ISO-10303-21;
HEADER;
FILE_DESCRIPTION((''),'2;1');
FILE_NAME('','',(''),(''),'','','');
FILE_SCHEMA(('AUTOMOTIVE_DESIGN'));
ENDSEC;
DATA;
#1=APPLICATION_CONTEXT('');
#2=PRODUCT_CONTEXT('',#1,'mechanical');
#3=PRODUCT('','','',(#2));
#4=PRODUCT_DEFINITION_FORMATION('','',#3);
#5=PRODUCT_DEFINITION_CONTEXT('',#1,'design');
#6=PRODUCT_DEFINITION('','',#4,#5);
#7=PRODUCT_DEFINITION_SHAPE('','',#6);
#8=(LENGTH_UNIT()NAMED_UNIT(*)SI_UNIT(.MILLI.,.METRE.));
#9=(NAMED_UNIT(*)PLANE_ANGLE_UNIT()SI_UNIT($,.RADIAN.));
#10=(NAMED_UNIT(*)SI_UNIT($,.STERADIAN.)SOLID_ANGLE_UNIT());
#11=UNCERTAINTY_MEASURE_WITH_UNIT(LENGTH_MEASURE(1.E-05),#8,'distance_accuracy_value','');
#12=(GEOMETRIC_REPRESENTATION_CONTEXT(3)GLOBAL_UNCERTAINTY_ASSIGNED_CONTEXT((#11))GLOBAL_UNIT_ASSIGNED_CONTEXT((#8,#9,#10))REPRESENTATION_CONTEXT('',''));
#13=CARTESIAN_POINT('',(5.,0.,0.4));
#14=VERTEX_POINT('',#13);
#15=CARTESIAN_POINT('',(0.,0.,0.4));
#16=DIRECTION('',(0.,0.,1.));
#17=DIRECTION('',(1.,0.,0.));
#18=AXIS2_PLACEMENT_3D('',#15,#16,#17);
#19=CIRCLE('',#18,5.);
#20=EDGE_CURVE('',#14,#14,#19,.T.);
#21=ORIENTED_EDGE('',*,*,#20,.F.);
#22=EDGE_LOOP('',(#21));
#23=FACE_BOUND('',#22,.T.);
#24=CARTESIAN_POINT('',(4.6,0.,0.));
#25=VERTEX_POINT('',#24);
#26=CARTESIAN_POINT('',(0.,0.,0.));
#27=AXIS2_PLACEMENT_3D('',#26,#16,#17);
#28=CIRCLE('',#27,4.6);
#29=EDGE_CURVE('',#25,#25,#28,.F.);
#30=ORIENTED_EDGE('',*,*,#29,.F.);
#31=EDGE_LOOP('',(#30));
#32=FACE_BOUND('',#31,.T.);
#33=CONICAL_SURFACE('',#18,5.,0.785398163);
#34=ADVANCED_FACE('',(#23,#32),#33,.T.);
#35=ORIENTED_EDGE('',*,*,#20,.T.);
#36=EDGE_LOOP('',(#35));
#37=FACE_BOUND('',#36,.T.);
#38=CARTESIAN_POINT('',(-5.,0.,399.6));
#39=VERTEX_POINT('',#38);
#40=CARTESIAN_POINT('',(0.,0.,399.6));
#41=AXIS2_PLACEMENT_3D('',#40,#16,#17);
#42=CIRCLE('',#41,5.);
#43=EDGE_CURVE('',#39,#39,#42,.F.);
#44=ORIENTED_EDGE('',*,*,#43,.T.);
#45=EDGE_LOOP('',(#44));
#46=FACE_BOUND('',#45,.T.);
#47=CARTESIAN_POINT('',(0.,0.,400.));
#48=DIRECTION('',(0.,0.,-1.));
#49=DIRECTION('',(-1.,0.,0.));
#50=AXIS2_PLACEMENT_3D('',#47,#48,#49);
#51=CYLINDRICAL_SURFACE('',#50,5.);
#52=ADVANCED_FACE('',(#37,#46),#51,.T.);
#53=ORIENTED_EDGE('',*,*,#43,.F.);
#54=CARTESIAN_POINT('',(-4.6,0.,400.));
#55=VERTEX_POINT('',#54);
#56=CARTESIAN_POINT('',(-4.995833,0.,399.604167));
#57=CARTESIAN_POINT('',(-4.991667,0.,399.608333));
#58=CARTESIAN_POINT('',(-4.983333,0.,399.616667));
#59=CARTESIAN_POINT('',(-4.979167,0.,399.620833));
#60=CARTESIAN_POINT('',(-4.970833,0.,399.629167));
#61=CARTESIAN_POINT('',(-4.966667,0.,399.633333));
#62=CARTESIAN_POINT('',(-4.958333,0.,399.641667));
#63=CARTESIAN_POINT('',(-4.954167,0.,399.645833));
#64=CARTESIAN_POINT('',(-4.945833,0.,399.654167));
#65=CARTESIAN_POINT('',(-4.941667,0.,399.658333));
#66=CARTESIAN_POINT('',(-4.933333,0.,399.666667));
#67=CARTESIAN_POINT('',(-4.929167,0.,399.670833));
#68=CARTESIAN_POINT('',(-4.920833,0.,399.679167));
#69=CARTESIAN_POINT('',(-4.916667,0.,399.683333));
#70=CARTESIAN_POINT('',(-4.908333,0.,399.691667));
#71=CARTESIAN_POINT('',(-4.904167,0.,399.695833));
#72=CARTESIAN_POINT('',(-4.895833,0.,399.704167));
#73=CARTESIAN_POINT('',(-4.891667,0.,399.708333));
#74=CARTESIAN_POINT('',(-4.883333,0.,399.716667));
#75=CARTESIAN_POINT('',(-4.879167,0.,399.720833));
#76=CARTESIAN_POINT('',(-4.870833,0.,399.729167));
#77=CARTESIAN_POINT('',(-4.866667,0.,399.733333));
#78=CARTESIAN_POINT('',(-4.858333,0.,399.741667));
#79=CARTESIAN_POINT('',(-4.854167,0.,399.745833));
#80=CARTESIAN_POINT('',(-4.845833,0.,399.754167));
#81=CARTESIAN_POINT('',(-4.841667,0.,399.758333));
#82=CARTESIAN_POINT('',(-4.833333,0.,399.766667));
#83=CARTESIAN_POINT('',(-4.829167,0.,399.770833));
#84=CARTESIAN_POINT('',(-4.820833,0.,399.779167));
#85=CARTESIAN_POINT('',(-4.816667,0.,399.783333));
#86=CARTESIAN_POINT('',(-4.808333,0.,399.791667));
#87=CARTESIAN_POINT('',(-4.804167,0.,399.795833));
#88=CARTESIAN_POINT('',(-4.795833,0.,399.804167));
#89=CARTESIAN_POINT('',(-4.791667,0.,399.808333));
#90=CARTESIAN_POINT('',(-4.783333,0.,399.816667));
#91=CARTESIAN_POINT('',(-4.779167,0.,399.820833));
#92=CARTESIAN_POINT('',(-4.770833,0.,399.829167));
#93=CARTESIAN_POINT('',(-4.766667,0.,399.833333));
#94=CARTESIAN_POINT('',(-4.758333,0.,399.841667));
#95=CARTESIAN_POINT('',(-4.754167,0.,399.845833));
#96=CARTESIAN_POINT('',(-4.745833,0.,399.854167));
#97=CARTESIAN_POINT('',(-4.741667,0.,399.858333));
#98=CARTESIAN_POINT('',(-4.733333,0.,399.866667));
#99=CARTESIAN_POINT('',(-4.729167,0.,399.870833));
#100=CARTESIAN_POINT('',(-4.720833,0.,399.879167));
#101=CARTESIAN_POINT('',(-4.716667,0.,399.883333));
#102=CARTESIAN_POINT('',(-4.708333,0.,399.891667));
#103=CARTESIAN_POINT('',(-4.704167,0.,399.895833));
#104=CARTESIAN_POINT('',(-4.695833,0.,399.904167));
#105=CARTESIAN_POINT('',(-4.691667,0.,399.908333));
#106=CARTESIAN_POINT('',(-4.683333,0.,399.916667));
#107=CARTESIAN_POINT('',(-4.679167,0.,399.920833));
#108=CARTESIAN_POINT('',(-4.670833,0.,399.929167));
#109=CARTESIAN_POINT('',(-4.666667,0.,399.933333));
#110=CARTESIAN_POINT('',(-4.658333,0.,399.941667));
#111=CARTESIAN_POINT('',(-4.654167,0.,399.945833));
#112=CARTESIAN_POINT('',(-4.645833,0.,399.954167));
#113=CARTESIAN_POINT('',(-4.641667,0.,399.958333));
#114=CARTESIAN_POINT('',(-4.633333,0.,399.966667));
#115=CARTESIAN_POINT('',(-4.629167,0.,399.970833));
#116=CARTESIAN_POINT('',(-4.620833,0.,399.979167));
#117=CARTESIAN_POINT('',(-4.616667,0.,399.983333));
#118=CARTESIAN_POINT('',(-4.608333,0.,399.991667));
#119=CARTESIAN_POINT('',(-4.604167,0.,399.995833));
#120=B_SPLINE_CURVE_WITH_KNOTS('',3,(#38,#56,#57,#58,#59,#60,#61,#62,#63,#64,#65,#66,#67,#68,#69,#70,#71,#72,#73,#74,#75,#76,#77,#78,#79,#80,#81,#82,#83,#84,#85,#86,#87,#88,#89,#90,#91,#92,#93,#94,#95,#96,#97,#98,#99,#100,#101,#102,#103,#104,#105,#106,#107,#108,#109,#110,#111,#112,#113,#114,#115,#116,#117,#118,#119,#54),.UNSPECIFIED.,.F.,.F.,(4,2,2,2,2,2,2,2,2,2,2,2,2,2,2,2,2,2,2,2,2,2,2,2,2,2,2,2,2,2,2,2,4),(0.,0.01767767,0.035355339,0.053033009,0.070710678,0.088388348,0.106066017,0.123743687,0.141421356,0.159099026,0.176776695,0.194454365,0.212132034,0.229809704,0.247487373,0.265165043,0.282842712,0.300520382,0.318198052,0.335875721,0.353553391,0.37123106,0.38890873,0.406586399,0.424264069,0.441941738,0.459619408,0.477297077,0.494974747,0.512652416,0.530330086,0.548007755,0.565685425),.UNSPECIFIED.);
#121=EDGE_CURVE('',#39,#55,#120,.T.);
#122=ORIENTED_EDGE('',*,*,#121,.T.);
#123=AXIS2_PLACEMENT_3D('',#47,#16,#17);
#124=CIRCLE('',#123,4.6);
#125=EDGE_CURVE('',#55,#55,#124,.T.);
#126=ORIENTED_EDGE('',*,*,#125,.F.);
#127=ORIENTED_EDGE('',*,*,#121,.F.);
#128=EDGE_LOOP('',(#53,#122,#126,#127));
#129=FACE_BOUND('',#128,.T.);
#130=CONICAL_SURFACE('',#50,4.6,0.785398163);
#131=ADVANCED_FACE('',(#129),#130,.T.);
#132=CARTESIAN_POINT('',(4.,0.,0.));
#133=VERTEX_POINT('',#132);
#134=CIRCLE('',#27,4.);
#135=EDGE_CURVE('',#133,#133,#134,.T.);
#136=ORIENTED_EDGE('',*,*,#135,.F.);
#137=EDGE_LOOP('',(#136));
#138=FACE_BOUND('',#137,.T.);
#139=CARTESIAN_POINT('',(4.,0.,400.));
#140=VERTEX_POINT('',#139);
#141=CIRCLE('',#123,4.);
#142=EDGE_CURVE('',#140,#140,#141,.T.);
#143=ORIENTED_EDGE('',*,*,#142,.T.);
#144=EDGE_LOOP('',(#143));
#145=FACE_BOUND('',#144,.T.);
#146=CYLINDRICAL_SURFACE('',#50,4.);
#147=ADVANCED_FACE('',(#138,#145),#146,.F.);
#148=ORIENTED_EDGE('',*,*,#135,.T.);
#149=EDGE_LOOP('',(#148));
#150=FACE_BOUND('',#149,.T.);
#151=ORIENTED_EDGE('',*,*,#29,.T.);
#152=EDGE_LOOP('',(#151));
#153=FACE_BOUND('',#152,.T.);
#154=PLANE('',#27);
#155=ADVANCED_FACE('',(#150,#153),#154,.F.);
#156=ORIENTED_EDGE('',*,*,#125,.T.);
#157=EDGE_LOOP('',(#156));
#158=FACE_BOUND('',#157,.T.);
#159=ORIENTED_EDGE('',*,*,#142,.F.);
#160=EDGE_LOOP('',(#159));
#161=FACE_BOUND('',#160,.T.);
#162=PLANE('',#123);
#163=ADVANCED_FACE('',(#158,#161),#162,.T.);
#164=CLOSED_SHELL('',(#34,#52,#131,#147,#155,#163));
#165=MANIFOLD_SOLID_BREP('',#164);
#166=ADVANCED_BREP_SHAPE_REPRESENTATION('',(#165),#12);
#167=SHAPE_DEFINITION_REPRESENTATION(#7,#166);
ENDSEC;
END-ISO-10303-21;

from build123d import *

# Parameters (mm, degrees)
SKETCH1_R         = 5
SKETCH1_R_2       = 4
BODY_DEPTH        = 400
END_CHAMFERS_SIZE = 0.4


with BuildPart() as part:
    # Sketch1 → body (new body)
    with BuildSketch(Plane.XY):
        Circle(SKETCH1_R)
        Circle(SKETCH1_R_2, mode=Mode.SUBTRACT)
    extrude(amount=BODY_DEPTH)

    # end_chamfers
    end_chamfers_edges = [part.edges().sort_by_distance(p)[0] for p in [
        (-5, 0, 0),
        (-5, 0, 400),
    ]]
    chamfer(end_chamfers_edges, length=END_CHAMFERS_SIZE)


solid = part.part
